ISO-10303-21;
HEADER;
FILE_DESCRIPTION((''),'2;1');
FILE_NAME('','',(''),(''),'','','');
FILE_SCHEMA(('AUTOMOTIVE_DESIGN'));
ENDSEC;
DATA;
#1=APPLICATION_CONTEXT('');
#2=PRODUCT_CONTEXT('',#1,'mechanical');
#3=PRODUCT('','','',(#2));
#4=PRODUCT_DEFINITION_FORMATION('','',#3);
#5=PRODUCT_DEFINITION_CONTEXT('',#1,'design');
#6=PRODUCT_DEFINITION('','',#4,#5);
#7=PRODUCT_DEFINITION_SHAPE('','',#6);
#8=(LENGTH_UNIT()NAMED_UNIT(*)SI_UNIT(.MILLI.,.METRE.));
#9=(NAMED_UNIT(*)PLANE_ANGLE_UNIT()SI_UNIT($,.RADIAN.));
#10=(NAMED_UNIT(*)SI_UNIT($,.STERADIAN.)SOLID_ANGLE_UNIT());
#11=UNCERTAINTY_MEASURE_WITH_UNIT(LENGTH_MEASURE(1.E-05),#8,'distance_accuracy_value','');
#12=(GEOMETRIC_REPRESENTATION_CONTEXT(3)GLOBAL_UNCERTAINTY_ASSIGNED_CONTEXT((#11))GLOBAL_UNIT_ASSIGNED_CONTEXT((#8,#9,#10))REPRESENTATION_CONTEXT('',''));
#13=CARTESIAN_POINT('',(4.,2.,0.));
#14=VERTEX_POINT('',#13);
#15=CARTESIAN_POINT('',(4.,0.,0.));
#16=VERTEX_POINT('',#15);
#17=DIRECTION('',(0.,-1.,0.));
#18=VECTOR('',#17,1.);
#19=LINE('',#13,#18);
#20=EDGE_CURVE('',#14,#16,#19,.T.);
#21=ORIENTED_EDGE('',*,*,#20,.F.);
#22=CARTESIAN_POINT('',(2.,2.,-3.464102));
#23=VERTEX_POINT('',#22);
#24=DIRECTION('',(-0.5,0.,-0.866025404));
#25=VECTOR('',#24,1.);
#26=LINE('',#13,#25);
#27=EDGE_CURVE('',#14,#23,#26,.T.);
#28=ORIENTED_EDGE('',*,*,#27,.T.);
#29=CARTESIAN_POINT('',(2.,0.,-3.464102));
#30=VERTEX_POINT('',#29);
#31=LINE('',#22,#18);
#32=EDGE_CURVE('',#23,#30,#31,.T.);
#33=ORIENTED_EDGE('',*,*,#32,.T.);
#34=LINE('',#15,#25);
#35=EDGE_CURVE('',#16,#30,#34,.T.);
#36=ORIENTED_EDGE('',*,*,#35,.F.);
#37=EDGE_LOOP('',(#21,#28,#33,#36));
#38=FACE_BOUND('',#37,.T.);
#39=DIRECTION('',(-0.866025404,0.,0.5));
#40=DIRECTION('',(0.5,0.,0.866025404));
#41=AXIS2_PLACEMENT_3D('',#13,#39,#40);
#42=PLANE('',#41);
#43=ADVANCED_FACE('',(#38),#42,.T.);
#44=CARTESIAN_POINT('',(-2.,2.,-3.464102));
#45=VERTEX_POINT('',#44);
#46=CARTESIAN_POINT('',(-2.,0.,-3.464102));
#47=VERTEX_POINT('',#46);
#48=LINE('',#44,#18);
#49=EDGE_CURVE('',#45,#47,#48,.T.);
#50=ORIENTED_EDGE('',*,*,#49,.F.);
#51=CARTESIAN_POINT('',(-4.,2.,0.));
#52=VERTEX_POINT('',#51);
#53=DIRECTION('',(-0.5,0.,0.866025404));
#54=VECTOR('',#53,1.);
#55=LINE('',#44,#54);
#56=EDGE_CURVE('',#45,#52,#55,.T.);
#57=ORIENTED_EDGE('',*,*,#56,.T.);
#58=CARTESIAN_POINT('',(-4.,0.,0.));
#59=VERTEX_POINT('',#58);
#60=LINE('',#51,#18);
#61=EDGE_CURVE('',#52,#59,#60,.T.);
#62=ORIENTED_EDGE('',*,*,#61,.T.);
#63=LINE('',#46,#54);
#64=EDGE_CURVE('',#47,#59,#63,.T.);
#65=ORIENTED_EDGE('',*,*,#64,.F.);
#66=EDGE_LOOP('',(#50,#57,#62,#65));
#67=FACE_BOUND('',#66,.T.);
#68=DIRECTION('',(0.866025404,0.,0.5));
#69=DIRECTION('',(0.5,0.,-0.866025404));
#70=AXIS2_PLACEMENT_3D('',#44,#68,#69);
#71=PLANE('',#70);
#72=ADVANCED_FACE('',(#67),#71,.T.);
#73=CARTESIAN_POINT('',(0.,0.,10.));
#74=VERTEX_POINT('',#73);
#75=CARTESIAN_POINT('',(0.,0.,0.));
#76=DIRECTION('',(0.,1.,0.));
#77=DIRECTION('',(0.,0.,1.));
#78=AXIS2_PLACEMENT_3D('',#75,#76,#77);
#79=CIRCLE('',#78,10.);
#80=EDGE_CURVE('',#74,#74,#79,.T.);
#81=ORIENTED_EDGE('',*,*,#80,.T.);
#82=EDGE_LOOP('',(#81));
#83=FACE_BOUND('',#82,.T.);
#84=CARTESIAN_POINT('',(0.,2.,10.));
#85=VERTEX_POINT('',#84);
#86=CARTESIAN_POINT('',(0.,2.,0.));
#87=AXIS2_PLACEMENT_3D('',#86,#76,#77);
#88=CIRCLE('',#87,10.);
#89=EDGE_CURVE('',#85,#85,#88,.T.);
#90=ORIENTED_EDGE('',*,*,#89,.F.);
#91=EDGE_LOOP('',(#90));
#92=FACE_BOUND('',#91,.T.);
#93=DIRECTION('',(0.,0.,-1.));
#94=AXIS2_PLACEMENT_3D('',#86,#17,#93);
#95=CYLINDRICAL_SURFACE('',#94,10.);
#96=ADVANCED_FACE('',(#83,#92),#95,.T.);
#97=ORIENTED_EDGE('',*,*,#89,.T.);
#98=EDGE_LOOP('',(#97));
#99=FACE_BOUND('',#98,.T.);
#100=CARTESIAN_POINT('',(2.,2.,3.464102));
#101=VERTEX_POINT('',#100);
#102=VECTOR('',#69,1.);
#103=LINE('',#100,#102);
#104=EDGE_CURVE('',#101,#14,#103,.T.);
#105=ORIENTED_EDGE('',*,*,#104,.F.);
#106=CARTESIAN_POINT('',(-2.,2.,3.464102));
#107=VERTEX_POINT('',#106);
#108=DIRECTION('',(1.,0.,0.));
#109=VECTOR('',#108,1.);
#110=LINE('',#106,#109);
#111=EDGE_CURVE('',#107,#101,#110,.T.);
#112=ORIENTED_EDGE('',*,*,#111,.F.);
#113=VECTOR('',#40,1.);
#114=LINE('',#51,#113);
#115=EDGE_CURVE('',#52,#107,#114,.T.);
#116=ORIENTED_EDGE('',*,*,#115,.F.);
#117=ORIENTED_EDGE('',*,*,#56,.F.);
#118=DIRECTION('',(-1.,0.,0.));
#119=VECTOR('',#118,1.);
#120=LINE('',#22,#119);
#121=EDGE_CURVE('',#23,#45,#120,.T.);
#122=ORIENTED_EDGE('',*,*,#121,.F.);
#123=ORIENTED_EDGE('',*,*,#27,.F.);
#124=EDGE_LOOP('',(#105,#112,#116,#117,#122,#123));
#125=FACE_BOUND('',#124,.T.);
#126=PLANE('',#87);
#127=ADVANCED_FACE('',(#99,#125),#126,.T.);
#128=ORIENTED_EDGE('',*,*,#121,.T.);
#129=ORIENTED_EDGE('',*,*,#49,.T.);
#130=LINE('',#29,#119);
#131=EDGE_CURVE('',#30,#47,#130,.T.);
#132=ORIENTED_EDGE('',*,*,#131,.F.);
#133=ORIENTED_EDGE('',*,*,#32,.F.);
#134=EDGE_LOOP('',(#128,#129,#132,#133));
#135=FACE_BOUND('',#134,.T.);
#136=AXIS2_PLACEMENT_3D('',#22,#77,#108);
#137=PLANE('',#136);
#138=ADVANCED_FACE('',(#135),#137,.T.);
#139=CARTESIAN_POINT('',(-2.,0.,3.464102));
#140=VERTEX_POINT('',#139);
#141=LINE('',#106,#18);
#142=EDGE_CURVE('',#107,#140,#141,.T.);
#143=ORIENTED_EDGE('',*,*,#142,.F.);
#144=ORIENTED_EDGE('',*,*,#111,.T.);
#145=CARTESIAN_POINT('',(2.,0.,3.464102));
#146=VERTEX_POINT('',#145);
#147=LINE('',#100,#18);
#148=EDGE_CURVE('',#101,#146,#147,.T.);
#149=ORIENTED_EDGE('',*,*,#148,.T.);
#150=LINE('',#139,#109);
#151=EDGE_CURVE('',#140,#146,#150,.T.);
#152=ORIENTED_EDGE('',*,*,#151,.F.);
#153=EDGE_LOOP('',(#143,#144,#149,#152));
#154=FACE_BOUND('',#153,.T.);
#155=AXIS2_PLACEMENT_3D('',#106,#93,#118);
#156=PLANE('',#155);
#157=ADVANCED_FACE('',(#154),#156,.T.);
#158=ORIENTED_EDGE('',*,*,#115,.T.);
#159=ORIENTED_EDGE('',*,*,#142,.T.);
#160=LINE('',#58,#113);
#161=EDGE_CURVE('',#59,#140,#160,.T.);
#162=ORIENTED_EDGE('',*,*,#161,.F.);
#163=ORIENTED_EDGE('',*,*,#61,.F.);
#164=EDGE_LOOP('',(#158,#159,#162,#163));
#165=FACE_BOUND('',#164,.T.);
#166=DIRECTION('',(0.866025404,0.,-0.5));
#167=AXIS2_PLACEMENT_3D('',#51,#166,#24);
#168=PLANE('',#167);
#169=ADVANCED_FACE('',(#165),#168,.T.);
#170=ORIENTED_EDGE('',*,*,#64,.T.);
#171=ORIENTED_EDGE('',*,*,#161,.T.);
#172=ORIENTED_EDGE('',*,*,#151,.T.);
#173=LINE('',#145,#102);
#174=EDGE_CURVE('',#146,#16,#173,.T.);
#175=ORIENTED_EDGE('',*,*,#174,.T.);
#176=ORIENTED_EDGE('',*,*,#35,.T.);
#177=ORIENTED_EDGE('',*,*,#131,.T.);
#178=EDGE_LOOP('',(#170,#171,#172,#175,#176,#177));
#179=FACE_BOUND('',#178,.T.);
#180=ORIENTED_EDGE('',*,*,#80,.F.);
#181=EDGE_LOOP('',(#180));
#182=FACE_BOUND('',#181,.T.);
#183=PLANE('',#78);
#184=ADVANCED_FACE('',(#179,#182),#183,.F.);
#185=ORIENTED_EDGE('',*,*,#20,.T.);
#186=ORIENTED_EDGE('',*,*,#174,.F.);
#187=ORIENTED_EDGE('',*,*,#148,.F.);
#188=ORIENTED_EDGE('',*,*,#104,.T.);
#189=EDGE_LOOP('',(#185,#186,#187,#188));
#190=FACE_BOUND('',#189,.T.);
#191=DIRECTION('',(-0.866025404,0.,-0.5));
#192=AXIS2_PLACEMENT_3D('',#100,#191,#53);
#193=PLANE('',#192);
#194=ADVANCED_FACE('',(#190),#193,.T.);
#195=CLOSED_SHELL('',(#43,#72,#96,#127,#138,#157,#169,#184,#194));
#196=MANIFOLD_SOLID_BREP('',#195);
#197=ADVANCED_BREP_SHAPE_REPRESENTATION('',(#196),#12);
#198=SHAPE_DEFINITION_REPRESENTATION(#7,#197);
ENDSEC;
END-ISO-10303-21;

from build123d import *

# Parameters (mm, degrees)
SKETCH1_R           = 10
BOSS_EXTRUDE1_DEPTH = 2


with BuildPart() as part:
    # Sketch1 → Boss-Extrude1 (new body)
    with BuildSketch(Plane(origin=(0, 0, 0), x_dir=(1, 0, 0), z_dir=(0, 1, 0))):
        with Locations(Location((0, 0, 0), (0, 0, 270))):
            Circle(SKETCH1_R)
        Polygon((4, 0), (2, 3.464101615), (-2, 3.464101615), (-4, 0), (-2, -3.464101615), (2, -3.464101615), align=None, mode=Mode.SUBTRACT)
    extrude(amount=BOSS_EXTRUDE1_DEPTH)


solid = part.part
